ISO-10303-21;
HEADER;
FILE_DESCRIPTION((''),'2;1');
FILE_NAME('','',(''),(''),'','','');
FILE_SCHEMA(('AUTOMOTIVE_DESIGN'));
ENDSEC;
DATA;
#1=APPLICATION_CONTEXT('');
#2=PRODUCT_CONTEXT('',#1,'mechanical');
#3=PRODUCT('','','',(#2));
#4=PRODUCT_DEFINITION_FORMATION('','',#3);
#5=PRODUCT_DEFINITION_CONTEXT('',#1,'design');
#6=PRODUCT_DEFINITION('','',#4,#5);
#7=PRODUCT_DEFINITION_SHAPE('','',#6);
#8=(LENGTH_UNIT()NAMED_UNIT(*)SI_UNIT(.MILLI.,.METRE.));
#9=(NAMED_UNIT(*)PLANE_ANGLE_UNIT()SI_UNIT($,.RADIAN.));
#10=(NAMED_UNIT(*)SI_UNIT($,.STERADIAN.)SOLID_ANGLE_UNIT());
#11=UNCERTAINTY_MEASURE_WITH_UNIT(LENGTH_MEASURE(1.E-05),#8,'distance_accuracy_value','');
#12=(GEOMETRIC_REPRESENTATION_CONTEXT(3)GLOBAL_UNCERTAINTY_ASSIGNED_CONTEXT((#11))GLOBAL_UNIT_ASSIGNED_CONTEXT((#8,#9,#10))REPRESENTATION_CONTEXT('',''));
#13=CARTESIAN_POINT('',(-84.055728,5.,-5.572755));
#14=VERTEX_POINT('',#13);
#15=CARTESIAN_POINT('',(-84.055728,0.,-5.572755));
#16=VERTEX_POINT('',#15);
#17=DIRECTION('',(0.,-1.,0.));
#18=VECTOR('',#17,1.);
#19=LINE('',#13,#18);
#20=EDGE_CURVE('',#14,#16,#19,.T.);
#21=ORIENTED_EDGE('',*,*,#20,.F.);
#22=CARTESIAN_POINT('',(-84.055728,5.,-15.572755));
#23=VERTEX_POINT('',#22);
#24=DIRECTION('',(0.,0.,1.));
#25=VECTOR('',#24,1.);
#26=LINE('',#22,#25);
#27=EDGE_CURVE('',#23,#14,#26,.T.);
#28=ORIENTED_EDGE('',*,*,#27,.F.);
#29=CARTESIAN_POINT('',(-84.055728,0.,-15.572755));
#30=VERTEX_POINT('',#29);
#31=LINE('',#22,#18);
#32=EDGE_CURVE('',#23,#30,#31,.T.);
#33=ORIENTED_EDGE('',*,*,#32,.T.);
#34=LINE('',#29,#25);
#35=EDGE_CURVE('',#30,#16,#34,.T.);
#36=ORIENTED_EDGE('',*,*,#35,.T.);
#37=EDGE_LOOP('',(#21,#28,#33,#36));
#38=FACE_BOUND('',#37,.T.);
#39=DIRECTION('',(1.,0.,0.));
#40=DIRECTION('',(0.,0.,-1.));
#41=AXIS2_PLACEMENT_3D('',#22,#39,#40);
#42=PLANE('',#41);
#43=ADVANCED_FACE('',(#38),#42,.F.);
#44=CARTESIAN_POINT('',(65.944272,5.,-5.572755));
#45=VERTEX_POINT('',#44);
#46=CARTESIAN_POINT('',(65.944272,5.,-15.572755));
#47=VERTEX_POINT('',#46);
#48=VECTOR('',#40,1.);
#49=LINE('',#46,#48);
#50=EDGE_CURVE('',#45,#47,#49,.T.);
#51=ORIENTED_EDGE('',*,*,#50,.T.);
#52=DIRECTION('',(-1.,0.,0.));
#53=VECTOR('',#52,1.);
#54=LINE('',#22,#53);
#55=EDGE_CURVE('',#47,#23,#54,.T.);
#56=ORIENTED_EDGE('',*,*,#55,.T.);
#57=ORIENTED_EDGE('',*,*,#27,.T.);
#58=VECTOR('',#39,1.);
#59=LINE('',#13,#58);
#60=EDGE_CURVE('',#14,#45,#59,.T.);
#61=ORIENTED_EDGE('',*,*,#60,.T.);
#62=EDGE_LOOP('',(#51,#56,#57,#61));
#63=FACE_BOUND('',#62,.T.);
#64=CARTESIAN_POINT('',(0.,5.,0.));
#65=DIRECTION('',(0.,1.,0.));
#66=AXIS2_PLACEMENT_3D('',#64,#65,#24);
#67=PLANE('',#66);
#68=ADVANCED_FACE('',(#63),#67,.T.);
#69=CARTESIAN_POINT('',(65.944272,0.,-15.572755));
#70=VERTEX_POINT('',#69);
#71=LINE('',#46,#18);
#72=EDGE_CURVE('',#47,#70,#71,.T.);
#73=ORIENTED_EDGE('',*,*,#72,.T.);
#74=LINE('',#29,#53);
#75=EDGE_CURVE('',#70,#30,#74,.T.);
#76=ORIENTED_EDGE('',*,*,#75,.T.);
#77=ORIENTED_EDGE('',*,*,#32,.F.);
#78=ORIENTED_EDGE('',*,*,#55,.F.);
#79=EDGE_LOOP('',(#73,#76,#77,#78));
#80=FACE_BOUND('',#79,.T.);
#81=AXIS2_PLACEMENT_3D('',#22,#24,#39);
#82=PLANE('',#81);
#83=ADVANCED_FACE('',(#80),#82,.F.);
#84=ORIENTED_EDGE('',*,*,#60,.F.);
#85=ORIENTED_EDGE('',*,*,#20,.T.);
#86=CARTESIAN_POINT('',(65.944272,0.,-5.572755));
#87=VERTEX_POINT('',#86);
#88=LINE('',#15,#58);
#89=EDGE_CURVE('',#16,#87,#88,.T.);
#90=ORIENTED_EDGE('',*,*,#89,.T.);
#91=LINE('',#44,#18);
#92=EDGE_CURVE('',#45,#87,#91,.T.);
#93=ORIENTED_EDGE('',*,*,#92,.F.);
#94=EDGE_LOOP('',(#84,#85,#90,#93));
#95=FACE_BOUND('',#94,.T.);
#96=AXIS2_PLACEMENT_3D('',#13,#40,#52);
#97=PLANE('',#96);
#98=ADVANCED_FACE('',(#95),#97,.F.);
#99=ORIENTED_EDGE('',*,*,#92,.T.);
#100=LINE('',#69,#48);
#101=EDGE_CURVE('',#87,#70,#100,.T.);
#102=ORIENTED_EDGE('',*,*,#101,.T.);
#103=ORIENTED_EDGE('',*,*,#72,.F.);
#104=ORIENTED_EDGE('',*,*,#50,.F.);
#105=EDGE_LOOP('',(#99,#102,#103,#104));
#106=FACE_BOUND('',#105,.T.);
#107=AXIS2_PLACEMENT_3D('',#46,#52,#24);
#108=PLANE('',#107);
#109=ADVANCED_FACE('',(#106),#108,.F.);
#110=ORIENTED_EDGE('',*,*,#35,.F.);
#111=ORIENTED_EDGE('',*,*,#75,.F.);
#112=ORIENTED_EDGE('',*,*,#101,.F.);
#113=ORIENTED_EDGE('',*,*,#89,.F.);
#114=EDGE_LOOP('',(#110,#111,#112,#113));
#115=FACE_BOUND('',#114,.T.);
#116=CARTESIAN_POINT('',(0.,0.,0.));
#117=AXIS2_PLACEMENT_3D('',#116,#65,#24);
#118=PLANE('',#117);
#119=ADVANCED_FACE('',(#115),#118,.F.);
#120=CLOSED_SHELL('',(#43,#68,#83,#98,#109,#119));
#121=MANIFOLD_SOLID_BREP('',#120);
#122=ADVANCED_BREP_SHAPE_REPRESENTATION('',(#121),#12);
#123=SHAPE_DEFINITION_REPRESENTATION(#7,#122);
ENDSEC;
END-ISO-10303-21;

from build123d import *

# Parameters (mm, degrees)
CROQUIS1_W              = 150
CROQUIS1_H              = 10
SALIENTE_EXTRUIR1_DEPTH = 5


with BuildPart() as part:
    # Croquis1 → Saliente-Extruir1 (new body)
    with BuildSketch(Plane(origin=(0, 0, 0), x_dir=(1, 0, 0), z_dir=(0, 1, 0))):
        with Locations((-9.055727554, 10.572755418)):
            Rectangle(CROQUIS1_W, CROQUIS1_H)
    extrude(amount=SALIENTE_EXTRUIR1_DEPTH)


solid = part.part
